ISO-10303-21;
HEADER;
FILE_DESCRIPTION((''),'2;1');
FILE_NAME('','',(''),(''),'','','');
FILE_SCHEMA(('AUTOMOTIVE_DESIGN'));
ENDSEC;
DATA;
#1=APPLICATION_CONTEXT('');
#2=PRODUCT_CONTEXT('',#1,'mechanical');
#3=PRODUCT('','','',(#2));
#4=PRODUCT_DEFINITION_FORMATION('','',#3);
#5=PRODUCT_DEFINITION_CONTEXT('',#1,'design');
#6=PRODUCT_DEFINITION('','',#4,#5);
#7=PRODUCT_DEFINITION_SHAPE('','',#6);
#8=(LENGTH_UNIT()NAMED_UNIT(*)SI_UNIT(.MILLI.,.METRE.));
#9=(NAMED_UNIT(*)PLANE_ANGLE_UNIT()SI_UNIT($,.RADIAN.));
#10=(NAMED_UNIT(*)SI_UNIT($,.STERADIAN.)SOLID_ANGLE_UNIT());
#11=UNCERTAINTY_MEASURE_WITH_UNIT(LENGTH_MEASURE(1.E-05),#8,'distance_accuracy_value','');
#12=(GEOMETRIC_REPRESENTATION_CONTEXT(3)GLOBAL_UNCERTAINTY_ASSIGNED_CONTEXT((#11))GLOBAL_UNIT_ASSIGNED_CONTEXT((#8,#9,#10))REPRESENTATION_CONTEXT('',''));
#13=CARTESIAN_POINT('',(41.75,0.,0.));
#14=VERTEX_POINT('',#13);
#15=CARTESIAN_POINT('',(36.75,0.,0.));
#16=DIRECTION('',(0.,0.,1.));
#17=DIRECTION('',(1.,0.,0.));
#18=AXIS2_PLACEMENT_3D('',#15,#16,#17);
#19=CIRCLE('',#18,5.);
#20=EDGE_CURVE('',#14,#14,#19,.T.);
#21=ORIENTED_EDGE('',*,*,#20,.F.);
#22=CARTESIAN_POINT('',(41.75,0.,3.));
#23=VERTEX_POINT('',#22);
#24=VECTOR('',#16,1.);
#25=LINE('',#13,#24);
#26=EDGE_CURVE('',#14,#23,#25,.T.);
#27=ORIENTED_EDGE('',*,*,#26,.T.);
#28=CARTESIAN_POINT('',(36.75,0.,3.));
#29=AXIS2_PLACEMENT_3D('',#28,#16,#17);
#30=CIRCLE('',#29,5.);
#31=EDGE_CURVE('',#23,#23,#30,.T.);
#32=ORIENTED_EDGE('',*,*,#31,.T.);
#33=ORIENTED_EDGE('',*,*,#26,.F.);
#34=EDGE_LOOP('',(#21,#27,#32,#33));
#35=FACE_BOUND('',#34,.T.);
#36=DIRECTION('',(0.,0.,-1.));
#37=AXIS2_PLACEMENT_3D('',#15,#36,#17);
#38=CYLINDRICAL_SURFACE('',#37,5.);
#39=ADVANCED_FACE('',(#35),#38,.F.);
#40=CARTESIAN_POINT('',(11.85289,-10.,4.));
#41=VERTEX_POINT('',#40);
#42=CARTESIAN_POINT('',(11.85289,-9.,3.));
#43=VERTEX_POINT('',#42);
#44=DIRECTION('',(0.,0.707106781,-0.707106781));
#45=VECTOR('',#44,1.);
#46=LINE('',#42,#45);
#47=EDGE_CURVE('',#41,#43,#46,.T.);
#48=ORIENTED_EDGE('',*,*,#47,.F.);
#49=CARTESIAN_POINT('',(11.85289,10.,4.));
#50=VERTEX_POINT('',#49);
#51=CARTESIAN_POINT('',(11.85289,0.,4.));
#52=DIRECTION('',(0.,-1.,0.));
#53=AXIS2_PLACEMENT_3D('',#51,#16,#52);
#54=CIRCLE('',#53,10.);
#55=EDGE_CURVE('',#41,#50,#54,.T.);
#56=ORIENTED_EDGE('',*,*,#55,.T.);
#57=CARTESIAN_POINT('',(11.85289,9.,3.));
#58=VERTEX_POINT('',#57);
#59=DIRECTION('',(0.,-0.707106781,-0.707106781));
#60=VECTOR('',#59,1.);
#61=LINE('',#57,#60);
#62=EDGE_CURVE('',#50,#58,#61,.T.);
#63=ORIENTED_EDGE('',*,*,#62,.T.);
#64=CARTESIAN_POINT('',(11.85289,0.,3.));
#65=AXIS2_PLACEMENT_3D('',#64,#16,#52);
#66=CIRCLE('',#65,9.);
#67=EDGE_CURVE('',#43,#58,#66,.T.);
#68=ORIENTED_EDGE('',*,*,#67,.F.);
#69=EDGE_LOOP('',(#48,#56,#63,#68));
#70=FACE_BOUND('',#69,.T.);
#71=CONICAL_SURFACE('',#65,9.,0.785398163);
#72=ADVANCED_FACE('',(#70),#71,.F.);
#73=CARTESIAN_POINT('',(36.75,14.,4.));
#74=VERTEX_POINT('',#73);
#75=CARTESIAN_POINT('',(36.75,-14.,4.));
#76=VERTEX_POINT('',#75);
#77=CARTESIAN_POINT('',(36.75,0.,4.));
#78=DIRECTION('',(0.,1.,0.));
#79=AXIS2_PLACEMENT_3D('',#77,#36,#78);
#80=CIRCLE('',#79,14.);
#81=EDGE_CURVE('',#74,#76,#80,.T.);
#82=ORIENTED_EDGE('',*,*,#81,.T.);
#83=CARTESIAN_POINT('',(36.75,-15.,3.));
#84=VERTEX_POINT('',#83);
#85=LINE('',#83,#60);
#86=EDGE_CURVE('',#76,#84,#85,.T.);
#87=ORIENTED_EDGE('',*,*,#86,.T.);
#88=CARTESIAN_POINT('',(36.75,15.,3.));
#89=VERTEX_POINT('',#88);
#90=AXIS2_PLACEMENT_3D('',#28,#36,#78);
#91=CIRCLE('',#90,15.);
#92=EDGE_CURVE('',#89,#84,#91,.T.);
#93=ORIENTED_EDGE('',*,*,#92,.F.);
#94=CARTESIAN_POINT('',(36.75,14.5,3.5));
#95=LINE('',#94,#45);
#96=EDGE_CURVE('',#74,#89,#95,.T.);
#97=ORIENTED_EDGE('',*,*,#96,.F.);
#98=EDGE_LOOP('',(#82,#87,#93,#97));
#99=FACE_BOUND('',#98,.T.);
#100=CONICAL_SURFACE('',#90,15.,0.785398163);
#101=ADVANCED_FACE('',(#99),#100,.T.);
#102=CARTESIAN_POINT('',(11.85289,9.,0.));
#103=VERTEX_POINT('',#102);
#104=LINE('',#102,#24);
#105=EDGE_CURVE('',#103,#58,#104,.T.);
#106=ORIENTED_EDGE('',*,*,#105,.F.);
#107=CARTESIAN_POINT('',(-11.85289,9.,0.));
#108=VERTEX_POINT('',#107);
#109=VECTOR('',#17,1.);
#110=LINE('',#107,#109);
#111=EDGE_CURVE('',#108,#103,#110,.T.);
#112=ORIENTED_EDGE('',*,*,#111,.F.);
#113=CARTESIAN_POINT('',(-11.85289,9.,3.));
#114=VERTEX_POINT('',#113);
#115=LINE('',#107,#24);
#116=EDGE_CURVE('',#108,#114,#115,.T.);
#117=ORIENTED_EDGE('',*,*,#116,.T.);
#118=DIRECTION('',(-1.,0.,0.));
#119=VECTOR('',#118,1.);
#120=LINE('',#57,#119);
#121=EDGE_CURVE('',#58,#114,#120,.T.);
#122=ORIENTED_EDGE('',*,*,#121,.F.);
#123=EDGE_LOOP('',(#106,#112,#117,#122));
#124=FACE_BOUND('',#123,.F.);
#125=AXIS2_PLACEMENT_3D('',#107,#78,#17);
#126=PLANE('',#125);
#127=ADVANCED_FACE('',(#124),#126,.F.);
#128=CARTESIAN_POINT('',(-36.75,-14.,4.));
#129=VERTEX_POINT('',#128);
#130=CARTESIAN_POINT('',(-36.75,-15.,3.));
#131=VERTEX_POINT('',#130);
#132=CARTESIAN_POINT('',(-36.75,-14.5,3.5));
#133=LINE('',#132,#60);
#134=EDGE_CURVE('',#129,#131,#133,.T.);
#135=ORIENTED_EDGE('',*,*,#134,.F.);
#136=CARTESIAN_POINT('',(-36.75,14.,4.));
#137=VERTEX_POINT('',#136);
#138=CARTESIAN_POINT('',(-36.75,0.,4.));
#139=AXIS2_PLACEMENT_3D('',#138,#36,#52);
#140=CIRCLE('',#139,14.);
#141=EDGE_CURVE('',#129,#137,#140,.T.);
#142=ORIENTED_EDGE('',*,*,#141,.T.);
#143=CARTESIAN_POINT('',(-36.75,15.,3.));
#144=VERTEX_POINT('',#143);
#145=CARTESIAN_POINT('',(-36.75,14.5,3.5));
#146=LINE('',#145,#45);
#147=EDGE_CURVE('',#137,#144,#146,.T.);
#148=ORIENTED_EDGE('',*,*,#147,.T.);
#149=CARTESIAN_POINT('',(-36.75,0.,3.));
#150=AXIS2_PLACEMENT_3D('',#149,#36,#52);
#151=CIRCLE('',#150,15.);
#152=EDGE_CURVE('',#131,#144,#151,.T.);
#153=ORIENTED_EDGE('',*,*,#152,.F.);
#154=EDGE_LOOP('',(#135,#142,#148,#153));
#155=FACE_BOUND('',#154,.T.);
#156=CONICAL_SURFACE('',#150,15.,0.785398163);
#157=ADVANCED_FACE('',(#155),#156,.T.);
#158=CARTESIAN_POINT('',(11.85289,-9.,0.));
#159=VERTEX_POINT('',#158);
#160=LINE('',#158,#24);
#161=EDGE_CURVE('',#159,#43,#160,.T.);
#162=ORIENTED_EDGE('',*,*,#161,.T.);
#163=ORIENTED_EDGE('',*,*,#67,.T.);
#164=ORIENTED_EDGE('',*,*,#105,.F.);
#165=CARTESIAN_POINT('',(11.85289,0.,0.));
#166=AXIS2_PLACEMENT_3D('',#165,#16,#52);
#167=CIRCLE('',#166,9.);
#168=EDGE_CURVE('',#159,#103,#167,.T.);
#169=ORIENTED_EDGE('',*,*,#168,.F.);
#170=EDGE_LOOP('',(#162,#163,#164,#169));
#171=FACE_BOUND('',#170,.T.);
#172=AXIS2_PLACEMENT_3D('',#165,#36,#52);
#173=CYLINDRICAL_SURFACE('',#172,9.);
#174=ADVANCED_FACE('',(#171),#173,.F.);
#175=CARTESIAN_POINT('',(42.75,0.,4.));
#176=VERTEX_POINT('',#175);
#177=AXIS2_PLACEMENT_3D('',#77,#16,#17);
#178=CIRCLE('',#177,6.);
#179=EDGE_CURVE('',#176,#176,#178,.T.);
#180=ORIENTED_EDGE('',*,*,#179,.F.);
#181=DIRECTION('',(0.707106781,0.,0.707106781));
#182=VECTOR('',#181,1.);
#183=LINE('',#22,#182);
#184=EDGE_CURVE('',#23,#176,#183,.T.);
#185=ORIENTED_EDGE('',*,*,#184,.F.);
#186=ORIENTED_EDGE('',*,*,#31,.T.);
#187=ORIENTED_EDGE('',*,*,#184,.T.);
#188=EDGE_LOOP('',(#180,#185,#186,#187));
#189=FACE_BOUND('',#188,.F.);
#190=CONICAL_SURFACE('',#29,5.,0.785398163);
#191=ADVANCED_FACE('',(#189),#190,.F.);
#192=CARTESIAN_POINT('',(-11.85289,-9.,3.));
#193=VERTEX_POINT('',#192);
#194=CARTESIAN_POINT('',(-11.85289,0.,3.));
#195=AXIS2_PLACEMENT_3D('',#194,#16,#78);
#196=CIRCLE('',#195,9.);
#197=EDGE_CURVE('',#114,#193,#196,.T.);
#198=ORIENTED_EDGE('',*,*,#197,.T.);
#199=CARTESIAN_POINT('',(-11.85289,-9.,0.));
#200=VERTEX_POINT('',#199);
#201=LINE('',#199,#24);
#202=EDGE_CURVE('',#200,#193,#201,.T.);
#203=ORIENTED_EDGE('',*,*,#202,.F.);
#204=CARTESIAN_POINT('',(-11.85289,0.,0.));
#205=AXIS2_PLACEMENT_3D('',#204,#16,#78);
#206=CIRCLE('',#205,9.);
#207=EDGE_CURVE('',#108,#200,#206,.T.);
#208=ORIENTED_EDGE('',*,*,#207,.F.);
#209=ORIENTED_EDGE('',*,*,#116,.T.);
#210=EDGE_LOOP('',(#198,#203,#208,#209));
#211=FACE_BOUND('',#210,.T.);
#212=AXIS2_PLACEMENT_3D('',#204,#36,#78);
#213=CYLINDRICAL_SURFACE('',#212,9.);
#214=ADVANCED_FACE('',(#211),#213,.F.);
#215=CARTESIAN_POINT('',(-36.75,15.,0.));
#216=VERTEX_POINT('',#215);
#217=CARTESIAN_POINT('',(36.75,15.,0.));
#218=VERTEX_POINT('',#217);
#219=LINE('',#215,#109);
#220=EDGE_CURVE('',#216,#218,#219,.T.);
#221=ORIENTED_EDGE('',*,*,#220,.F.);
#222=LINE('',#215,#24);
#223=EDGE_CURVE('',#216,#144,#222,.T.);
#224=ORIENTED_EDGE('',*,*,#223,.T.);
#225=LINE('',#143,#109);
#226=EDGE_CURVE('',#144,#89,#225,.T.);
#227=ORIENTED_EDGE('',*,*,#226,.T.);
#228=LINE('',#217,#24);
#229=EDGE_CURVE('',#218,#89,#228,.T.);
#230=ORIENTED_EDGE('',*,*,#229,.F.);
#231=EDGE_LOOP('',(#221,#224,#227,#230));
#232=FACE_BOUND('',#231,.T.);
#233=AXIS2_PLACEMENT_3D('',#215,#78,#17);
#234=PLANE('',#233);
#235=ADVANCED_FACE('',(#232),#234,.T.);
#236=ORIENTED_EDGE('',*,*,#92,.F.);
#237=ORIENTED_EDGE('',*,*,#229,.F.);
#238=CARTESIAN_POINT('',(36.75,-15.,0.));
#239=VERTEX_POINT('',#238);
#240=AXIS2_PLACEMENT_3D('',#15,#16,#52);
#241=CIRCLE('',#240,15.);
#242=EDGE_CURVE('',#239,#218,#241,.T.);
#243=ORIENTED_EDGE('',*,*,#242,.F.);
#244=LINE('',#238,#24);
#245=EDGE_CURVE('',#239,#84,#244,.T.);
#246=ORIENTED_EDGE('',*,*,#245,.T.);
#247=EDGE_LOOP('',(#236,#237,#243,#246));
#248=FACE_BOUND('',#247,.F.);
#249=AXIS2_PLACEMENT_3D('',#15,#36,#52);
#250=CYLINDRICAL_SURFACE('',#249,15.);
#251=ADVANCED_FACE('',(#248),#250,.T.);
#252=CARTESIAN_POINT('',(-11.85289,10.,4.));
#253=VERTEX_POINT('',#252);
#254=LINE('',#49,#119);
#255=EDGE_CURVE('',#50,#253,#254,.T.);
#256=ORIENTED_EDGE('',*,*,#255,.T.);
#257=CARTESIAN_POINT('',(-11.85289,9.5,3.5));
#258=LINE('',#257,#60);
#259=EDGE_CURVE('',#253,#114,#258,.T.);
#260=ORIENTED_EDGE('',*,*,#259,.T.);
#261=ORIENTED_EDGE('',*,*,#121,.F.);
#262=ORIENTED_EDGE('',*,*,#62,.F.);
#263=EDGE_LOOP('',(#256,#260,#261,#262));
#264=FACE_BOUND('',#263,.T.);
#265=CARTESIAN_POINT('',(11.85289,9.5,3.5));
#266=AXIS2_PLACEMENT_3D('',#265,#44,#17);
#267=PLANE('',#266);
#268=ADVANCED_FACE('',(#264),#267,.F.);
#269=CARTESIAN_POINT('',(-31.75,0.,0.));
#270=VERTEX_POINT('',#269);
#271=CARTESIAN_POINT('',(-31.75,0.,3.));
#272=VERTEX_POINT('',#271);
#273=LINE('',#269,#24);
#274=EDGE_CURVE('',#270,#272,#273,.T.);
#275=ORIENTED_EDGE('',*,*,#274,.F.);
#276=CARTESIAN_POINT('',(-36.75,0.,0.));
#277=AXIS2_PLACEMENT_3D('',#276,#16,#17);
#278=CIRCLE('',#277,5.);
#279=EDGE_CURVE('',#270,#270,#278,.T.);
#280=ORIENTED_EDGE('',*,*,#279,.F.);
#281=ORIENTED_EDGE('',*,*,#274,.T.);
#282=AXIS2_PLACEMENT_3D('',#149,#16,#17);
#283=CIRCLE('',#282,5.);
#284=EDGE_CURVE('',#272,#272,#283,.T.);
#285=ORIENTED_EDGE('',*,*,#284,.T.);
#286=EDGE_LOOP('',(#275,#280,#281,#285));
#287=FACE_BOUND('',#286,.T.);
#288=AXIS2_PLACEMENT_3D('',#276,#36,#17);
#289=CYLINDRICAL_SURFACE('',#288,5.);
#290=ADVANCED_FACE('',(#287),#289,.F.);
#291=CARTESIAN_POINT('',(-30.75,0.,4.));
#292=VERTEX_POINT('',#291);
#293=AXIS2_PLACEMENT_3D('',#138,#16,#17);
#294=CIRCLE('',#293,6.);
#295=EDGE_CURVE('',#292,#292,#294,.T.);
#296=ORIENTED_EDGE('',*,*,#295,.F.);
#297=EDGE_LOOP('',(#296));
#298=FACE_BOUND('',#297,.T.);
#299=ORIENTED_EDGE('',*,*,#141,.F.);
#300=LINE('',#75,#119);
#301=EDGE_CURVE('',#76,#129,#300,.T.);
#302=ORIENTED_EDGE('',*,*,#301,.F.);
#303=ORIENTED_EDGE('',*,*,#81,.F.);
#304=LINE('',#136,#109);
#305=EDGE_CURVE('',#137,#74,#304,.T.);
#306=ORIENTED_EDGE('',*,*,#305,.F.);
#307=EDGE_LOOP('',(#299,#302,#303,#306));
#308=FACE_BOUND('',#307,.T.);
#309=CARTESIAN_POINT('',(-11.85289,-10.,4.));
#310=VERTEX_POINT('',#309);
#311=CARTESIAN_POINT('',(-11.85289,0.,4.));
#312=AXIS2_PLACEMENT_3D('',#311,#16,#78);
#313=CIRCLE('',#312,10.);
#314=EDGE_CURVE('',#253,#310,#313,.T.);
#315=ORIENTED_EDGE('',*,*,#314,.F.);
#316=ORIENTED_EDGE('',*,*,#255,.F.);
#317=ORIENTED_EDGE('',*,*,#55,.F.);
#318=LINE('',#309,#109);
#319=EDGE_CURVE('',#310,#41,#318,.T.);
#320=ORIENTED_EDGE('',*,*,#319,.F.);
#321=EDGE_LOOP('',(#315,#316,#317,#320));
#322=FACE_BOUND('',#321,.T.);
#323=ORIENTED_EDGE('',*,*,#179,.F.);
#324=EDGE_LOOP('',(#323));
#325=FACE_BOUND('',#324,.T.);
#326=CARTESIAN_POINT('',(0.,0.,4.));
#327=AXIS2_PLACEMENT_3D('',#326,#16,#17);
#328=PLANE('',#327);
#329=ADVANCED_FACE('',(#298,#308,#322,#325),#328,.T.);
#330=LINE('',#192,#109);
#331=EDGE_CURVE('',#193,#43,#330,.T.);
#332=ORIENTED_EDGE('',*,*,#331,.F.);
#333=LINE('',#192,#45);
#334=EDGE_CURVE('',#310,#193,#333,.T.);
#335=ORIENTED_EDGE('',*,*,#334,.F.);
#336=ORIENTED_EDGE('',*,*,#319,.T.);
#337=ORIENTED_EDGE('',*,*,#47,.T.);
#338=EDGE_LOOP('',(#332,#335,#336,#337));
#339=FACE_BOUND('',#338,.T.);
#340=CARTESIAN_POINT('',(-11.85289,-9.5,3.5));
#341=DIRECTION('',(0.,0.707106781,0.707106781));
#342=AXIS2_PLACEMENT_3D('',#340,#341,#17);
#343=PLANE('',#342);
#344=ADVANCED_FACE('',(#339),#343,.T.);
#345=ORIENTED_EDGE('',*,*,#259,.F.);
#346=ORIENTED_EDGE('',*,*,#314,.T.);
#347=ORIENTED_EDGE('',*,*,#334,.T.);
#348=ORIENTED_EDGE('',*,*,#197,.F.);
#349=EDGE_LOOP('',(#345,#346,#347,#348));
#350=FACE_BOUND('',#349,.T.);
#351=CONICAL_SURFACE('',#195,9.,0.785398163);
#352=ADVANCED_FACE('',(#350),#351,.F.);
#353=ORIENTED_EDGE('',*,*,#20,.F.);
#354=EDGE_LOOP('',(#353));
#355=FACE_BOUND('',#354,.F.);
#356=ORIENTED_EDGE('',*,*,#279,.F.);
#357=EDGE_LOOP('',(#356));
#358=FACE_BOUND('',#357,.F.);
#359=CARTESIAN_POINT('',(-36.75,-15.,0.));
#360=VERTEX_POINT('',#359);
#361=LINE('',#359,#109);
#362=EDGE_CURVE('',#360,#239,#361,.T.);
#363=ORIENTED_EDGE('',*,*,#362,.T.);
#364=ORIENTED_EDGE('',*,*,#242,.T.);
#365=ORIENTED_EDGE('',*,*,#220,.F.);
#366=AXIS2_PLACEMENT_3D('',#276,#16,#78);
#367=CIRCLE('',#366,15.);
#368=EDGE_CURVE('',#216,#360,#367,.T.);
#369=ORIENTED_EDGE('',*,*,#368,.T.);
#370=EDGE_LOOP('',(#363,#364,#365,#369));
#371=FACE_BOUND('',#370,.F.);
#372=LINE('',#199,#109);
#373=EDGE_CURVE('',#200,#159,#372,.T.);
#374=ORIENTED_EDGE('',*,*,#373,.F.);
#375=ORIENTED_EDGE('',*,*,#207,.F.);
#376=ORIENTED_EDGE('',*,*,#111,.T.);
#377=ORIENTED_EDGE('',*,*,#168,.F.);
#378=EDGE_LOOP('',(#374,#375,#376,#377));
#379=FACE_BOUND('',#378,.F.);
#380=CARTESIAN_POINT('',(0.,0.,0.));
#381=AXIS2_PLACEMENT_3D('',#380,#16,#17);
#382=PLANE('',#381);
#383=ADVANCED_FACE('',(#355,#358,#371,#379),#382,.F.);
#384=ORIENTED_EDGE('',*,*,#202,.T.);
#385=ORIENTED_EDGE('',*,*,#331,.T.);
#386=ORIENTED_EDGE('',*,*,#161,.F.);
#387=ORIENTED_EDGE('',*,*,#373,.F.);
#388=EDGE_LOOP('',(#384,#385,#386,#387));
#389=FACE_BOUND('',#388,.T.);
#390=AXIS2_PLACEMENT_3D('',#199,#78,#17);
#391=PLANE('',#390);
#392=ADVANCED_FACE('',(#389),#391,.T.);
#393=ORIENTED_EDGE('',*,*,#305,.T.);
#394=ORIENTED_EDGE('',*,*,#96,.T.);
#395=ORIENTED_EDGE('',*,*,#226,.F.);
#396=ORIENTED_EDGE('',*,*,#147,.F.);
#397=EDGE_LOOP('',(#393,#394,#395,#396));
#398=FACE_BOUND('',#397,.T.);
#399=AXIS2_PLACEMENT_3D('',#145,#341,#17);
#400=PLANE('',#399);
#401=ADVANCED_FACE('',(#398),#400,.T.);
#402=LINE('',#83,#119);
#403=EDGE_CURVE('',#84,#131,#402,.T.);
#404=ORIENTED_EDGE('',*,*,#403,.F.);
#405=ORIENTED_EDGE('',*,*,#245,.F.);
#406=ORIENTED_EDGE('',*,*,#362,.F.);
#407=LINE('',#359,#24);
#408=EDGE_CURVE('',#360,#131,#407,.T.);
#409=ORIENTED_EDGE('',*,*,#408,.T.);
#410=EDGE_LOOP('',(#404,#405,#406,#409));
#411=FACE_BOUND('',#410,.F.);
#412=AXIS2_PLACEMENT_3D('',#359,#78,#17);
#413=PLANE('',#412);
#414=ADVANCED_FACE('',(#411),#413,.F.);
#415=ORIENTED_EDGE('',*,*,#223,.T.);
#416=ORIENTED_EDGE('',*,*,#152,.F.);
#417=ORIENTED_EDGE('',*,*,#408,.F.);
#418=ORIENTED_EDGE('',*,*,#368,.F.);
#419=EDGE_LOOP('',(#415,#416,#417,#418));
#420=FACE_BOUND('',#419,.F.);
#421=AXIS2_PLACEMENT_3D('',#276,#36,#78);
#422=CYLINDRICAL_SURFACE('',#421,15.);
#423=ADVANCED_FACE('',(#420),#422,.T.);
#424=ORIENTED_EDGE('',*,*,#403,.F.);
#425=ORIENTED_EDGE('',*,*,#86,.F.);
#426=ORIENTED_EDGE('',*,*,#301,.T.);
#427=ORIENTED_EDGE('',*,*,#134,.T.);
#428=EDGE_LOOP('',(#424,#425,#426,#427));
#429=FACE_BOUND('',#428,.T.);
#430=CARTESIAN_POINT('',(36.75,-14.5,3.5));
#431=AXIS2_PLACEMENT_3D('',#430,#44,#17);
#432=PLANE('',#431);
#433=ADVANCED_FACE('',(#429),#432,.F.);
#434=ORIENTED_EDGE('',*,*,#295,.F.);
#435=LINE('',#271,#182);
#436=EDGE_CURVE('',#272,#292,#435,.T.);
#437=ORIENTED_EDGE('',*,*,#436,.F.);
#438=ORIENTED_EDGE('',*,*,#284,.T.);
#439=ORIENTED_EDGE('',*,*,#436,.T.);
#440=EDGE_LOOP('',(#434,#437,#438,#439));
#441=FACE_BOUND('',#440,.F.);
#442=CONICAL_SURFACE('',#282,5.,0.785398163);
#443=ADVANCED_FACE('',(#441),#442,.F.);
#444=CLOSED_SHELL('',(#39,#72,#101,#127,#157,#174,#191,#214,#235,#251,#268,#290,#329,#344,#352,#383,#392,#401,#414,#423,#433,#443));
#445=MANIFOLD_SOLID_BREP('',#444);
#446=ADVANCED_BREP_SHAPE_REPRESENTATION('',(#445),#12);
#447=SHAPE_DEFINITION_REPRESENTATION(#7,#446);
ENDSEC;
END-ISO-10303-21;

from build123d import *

# Parameters (mm, degrees)
SKETCH_R        = 5
PAD_DEPTH       = 4
CHAMFER_SIZE    = 1
CHAMFER001_SIZE = 1
CHAMFER002_SIZE = 1


with BuildPart() as part:
    # Sketch → Pad (new body)
    with BuildSketch(Plane.XY):
        with BuildLine():
            ThreePointArc((-36.75, 15), (-51.75, 0), (-36.75, -15))
            Line((-36.75, -15), (36.75, -15))
            ThreePointArc((36.75, -15), (51.75, 0), (36.75, 15))
            Line((-36.75, 15), (36.75, 15))
        make_face()
        with Locations((-36.75, 0)):
            Circle(SKETCH_R, mode=Mode.SUBTRACT)
        with Locations((36.75, 0)):
            Circle(SKETCH_R, mode=Mode.SUBTRACT)
        with BuildLine():
            ThreePointArc((-11.85289, 9), (-20.85289, 0), (-11.85289, -9))
            Line((-11.85289, -9), (11.85289, -9))
            ThreePointArc((11.85289, -9), (20.85289, 0), (11.85289, 9))
            Line((-11.85289, 9), (11.85289, 9))
        make_face(mode=Mode.SUBTRACT)
    extrude(amount=PAD_DEPTH)

    # Chamfer
    chamfer_edges = [part.edges().sort_by_distance(p)[0] for p in [
        (-41.75, 0, 4),
        (31.75, 0, 4),
    ]]
    chamfer(chamfer_edges, length=CHAMFER_SIZE)

    # Chamfer001
    chamfer001_edges = [part.edges().sort_by_distance(p)[0] for p in [
        (0, 15, 4),
        (51.75, 0, 4),
        (0, -15, 4),
        (-51.75, 0, 4),
    ]]
    chamfer(chamfer001_edges, length=CHAMFER001_SIZE)

    # Chamfer002
    chamfer002_edges = [part.edges().sort_by_distance(p)[0] for p in [
        (20.85289, 0, 4),
        (0, -9, 4),
        (-20.85289, 0, 4),
        (0, 9, 4),
    ]]
    chamfer(chamfer002_edges, length=CHAMFER002_SIZE)


solid = part.part
